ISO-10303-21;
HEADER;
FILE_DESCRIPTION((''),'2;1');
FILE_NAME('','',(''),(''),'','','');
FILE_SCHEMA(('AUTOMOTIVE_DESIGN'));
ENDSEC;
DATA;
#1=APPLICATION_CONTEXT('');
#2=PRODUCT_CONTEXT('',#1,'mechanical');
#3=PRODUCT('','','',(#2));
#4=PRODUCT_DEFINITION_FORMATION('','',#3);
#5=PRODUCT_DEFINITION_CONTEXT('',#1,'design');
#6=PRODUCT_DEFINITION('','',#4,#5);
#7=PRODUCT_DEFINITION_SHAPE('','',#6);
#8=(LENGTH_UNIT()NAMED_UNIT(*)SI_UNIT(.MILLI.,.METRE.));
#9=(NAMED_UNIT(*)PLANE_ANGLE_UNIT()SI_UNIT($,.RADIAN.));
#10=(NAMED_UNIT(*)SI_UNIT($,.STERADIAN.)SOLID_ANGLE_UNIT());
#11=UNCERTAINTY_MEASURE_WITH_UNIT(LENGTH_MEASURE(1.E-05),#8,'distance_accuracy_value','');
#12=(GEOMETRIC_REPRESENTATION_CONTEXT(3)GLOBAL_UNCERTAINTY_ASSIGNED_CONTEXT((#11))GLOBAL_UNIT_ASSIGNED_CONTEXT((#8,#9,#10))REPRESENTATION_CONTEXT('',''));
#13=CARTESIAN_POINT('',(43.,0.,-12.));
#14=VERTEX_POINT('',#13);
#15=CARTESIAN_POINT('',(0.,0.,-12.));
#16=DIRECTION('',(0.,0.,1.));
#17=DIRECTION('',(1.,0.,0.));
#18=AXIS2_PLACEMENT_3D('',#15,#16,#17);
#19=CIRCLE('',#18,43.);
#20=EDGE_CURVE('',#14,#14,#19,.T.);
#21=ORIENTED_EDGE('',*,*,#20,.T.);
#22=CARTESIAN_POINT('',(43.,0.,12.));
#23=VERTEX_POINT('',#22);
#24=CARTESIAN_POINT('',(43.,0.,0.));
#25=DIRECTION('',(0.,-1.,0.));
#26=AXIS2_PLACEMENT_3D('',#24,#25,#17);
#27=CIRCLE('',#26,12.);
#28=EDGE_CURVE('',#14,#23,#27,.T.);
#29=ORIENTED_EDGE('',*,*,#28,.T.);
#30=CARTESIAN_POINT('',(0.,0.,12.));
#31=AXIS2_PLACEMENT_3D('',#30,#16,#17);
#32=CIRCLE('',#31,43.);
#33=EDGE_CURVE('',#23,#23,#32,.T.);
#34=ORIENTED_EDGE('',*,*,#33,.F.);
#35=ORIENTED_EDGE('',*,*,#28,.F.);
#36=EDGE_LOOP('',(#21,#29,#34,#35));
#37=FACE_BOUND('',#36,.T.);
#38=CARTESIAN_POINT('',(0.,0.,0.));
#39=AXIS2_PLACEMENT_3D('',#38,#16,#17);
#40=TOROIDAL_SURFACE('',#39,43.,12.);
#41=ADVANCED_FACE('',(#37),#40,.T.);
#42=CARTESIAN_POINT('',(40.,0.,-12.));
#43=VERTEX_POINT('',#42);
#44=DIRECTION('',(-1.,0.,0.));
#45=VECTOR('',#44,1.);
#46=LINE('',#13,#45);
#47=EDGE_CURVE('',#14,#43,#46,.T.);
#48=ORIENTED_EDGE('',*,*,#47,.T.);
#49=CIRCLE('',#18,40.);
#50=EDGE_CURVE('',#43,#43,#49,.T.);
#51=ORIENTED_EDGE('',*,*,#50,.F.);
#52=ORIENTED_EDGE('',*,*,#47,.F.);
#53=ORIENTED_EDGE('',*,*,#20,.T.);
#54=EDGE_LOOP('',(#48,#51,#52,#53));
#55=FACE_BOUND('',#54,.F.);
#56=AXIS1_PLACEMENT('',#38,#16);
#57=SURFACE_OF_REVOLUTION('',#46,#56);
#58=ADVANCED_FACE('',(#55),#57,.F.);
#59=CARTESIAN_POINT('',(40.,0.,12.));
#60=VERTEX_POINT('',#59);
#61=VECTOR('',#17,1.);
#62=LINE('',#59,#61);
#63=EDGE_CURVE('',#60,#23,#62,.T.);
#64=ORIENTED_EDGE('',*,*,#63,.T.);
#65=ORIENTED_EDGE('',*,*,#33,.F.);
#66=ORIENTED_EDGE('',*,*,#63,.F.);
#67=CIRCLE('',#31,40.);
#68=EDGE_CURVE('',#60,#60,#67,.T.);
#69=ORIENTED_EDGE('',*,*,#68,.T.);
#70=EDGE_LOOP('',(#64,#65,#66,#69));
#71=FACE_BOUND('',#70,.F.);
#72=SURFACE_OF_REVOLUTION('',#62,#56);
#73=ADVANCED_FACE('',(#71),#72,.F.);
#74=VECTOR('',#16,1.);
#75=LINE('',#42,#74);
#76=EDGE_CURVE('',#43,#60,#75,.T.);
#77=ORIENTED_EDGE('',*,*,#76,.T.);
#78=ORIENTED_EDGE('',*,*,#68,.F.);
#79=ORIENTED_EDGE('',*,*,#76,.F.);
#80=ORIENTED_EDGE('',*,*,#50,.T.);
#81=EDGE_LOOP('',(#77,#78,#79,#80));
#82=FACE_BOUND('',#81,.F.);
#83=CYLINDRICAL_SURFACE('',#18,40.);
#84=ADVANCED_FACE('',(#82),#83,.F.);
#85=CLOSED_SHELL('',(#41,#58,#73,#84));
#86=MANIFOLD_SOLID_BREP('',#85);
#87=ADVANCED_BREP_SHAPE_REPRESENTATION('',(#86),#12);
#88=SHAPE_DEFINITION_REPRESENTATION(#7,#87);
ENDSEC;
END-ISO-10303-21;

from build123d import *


with BuildPart() as f2:
    # F2: sweep along a path in F0
    with BuildLine(Plane.XY) as f2_path:
        CenterArc((0, 0), 40, 0, 360)
    # F1 (on Front) → F2 (sweep)
    with BuildSketch(Plane.XZ):
        with BuildLine():
            Line((-40, 12), (-43, 12))
            ThreePointArc((-43, 12), (-55, 0), (-43, -12))
            Line((-43, -12), (-40, -12))
            Line((-40, -12), (-40, 12))
        make_face()
    sweep(path=f2_path.line)


solid = f2.part
